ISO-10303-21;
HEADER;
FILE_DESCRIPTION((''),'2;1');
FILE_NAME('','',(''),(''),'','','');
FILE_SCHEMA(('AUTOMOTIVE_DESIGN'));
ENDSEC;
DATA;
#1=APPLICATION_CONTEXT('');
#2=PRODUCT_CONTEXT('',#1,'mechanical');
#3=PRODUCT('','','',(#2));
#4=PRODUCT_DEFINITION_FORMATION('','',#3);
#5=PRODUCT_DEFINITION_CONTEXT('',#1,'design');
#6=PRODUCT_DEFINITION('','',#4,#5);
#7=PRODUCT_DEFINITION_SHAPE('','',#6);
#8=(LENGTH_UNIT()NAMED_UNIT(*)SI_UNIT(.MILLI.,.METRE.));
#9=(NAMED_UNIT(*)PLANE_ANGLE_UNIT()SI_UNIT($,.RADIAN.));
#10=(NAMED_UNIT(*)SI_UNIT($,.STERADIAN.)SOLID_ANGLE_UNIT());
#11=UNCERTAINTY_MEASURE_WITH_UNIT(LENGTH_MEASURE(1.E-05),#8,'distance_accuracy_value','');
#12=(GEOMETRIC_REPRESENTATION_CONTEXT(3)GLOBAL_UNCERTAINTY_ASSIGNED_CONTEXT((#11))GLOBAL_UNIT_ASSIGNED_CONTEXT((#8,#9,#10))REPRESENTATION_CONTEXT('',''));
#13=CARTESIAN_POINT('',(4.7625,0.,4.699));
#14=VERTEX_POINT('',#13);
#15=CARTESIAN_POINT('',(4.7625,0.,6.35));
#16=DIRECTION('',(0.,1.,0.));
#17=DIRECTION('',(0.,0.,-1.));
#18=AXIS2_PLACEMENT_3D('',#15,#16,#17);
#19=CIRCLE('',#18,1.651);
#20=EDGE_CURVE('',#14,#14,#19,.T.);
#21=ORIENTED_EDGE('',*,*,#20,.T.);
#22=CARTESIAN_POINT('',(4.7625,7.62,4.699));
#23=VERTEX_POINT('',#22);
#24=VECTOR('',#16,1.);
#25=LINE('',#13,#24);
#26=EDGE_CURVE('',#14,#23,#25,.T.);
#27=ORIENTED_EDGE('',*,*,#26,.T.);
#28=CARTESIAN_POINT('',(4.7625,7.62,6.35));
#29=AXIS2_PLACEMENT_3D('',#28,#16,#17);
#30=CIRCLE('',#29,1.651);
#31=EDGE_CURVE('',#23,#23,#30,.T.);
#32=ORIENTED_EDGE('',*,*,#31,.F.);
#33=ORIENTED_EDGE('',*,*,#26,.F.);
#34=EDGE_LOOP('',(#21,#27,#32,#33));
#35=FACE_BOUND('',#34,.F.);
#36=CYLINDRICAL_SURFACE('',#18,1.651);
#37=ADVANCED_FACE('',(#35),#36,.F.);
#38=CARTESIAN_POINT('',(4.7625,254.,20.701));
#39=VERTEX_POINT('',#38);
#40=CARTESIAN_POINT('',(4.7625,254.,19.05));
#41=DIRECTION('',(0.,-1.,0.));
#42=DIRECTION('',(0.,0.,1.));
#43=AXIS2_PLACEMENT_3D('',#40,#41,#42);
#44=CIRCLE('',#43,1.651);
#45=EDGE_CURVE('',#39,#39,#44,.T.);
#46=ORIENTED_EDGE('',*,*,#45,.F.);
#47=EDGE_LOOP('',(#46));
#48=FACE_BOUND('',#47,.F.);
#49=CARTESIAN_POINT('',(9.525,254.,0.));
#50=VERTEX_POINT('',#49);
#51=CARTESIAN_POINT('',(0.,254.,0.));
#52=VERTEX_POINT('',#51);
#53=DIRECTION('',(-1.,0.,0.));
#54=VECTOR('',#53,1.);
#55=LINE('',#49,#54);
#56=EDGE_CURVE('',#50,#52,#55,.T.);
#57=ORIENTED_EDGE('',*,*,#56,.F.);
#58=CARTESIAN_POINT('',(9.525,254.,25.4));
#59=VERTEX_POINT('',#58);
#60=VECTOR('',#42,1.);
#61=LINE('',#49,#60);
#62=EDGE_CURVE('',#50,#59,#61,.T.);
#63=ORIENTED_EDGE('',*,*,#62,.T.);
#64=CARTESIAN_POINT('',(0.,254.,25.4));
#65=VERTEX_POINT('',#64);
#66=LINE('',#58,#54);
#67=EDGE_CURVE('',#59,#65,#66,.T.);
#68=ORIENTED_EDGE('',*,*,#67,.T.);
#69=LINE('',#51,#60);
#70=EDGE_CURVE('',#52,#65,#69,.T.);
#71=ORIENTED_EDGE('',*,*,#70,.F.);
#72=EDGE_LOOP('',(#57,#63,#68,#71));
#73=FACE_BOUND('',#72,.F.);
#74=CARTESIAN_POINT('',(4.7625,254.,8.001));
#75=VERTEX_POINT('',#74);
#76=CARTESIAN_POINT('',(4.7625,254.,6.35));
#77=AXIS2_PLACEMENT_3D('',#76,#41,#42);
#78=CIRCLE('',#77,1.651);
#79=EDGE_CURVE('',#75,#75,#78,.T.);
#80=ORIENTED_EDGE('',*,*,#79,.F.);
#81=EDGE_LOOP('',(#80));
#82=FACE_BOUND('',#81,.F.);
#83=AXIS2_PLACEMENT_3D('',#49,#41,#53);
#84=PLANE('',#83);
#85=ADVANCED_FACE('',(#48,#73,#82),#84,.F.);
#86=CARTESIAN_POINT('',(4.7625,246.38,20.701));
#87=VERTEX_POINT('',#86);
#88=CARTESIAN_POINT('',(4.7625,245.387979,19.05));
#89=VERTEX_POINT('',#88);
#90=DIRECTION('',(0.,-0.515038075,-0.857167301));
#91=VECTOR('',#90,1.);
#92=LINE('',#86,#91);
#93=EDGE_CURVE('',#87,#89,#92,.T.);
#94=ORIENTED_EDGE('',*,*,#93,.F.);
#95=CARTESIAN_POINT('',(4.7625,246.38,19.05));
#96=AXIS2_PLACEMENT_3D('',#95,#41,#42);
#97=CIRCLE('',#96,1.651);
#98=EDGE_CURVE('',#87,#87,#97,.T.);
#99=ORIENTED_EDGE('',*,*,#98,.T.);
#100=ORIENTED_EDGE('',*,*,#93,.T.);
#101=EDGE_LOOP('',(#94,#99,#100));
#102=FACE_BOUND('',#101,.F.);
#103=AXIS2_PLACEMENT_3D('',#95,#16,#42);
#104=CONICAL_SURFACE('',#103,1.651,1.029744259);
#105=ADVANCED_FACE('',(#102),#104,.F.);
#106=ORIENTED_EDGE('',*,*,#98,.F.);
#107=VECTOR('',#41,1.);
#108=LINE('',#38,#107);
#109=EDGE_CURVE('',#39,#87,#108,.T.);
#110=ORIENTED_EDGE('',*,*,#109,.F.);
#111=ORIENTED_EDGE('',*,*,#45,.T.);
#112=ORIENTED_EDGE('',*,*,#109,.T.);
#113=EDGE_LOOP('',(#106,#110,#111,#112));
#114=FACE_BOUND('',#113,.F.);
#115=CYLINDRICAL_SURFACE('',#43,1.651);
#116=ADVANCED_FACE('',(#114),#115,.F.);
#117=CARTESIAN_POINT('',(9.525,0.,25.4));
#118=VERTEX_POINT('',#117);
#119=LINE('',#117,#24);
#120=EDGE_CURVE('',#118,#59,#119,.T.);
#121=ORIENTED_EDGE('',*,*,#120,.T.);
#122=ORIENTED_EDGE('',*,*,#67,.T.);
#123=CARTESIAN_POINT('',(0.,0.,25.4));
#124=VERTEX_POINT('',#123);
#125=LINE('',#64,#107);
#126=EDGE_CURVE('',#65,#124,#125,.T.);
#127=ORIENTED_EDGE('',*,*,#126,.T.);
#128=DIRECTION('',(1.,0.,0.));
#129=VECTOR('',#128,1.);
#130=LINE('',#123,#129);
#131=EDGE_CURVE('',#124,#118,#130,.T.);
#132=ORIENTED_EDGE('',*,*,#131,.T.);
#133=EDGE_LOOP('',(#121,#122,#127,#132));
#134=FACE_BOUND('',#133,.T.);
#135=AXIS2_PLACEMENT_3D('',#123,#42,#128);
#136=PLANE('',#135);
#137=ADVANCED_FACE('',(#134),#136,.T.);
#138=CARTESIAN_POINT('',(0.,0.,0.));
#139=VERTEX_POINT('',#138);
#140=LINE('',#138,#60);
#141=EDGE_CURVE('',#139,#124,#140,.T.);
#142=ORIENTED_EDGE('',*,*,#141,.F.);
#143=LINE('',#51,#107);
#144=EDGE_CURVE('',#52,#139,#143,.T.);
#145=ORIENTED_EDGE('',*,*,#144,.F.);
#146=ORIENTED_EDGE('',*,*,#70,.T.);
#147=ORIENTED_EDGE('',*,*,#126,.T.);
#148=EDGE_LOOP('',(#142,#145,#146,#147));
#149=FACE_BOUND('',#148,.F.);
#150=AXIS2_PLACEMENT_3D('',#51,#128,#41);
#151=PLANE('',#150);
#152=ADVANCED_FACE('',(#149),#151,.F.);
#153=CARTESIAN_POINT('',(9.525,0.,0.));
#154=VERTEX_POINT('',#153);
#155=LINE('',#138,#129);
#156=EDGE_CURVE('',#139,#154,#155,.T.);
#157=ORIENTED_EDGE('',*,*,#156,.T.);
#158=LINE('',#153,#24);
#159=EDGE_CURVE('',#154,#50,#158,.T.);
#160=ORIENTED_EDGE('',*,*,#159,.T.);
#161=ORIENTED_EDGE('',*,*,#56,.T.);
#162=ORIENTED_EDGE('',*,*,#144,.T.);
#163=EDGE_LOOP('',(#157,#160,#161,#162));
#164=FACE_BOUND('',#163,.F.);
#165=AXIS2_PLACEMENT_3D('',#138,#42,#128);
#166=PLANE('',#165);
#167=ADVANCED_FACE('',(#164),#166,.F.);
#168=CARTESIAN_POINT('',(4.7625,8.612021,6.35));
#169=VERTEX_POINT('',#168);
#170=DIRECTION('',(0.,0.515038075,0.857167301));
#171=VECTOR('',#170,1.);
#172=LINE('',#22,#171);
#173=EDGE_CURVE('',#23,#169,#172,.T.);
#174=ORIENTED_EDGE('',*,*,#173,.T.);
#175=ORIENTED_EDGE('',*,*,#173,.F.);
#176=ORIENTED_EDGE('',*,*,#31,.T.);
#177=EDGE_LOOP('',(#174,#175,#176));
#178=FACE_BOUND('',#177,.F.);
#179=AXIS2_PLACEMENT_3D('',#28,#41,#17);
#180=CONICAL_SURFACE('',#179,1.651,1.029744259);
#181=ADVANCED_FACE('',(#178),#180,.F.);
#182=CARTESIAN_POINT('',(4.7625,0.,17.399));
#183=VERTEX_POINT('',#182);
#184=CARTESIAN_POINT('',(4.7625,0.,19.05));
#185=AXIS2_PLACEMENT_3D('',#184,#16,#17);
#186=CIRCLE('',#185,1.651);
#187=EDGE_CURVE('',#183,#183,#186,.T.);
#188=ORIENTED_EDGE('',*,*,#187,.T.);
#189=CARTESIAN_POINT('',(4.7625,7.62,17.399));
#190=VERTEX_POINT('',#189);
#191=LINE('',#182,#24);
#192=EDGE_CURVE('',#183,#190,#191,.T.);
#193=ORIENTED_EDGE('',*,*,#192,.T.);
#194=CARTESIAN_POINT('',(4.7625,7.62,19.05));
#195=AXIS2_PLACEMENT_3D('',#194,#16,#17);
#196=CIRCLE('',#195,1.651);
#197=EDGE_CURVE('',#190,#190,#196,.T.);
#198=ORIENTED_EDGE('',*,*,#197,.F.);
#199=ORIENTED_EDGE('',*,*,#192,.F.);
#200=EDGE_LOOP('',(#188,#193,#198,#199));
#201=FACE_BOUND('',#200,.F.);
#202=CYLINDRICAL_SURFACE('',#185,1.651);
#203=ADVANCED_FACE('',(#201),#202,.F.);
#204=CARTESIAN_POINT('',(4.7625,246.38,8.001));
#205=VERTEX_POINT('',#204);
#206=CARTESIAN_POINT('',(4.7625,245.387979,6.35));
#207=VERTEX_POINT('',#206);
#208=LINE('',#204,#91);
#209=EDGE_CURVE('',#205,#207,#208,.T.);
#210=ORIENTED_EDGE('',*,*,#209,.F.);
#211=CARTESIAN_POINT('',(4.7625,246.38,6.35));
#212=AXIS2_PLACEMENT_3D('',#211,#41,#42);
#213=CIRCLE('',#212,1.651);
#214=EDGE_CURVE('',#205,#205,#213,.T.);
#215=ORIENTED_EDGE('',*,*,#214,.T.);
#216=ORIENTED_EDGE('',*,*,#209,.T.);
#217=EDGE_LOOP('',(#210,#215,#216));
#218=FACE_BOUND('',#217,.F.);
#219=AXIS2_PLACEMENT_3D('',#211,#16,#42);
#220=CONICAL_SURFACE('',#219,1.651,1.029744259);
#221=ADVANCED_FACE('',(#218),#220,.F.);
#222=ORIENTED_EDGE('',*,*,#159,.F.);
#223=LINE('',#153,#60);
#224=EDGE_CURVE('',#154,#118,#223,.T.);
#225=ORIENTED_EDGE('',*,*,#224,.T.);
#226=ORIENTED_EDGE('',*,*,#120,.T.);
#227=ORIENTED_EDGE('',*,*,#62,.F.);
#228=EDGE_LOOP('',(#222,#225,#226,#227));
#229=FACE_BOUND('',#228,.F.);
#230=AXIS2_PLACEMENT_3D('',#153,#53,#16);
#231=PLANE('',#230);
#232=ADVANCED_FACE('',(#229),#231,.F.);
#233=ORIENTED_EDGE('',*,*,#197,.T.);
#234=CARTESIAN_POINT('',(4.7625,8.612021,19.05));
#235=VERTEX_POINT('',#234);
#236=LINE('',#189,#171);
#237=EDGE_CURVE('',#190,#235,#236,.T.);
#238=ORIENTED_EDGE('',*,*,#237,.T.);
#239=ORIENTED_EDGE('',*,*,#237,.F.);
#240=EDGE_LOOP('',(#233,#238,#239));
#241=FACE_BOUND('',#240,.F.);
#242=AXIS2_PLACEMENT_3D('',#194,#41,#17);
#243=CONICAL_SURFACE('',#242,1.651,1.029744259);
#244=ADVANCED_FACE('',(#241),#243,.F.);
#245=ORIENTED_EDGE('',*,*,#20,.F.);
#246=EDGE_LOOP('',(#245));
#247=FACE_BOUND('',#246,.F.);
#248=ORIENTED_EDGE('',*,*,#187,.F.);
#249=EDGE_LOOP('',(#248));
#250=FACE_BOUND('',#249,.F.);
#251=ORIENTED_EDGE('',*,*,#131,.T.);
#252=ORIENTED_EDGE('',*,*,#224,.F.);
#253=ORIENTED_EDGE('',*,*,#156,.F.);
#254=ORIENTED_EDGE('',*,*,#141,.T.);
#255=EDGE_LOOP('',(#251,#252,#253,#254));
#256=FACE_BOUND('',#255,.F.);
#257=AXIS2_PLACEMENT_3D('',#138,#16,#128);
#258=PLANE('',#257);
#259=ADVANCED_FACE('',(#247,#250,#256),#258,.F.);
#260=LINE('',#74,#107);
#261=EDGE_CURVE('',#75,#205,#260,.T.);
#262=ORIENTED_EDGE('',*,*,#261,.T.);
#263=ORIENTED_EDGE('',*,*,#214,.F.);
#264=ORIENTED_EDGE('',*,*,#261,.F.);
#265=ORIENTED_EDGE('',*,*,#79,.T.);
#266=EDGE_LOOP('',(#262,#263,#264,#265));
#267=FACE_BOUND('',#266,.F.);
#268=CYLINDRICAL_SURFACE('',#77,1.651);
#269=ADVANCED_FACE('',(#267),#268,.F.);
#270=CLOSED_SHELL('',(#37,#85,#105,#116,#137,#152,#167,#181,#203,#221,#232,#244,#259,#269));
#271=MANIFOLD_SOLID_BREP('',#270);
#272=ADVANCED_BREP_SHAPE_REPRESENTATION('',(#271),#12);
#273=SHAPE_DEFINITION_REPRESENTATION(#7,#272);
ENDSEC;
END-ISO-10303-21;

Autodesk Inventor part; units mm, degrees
ref_plane "YZ Plane" through (0, 0, 0) normal (1, 0, 0) x (0, 1, 0)
ref_plane "XZ Plane" through (0, 0, 0) normal (0, 1, 0) x (-1, 0, 0)
ref_plane "XY Plane" through (0, 0, 0) normal (0, 0, 1) x (1, 0, 0)
sketch "Sketch1" plane through (0, 0, 0) normal (0, 0, 1) x (1, 0, 0)
  line L0 (0, 0) -> (9.525, 0)
  line L1 (9.525, 0) -> (9.525, 254)
  line L2 (9.525, 254) -> (0, 254)
  line L3 (0, 254) -> (0, 0)
  dimension "d0" = 9.525
  dimension "d1" = 254
extrude "Extrusion1" add sketch "Sketch1" along normal blind 25.4
sketch "Sketch2" plane through (0, 254, 0) normal (0, 1, 0) x (1, 0, 0)
  line L0 (0, 0) -> (9.525, 0) projected
  line L1 (0, -25.4) -> (9.525, -25.4) projected
  point P0 (4.7625, -19.05)
  point P1 (4.7625, -6.35)
hole "Hole1" at (4.7625, 254, 19.05) at (4.7625, 254, 6.35) direction (0, -1, 0) diameter 3.302 depth 7.62 tip angle 118 thread size "8-32 UNC" class "2B" standard "ANSI Unified Screw Threads"
sketch "Sketch3" plane through (0, 0, 0) normal (0, -1, 0) x (1, 0, 0)
  line L0 (9.525, 0) -> (0, 0) projected
  circle A0 centre (4.7625, 19.05) radius 1.651 projected
  point P0 (4.7625, 6.35)
hole "Hole2" at (4.7625, 0, 19.05) at (4.7625, 0, 6.35) direction (0, 1, 0) diameter 3.302 depth 7.62 tip angle 118 thread size "8-32 UNC" class "2B" standard "ANSI Unified Screw Threads"
properties part number "TopPlateRightConnector"
